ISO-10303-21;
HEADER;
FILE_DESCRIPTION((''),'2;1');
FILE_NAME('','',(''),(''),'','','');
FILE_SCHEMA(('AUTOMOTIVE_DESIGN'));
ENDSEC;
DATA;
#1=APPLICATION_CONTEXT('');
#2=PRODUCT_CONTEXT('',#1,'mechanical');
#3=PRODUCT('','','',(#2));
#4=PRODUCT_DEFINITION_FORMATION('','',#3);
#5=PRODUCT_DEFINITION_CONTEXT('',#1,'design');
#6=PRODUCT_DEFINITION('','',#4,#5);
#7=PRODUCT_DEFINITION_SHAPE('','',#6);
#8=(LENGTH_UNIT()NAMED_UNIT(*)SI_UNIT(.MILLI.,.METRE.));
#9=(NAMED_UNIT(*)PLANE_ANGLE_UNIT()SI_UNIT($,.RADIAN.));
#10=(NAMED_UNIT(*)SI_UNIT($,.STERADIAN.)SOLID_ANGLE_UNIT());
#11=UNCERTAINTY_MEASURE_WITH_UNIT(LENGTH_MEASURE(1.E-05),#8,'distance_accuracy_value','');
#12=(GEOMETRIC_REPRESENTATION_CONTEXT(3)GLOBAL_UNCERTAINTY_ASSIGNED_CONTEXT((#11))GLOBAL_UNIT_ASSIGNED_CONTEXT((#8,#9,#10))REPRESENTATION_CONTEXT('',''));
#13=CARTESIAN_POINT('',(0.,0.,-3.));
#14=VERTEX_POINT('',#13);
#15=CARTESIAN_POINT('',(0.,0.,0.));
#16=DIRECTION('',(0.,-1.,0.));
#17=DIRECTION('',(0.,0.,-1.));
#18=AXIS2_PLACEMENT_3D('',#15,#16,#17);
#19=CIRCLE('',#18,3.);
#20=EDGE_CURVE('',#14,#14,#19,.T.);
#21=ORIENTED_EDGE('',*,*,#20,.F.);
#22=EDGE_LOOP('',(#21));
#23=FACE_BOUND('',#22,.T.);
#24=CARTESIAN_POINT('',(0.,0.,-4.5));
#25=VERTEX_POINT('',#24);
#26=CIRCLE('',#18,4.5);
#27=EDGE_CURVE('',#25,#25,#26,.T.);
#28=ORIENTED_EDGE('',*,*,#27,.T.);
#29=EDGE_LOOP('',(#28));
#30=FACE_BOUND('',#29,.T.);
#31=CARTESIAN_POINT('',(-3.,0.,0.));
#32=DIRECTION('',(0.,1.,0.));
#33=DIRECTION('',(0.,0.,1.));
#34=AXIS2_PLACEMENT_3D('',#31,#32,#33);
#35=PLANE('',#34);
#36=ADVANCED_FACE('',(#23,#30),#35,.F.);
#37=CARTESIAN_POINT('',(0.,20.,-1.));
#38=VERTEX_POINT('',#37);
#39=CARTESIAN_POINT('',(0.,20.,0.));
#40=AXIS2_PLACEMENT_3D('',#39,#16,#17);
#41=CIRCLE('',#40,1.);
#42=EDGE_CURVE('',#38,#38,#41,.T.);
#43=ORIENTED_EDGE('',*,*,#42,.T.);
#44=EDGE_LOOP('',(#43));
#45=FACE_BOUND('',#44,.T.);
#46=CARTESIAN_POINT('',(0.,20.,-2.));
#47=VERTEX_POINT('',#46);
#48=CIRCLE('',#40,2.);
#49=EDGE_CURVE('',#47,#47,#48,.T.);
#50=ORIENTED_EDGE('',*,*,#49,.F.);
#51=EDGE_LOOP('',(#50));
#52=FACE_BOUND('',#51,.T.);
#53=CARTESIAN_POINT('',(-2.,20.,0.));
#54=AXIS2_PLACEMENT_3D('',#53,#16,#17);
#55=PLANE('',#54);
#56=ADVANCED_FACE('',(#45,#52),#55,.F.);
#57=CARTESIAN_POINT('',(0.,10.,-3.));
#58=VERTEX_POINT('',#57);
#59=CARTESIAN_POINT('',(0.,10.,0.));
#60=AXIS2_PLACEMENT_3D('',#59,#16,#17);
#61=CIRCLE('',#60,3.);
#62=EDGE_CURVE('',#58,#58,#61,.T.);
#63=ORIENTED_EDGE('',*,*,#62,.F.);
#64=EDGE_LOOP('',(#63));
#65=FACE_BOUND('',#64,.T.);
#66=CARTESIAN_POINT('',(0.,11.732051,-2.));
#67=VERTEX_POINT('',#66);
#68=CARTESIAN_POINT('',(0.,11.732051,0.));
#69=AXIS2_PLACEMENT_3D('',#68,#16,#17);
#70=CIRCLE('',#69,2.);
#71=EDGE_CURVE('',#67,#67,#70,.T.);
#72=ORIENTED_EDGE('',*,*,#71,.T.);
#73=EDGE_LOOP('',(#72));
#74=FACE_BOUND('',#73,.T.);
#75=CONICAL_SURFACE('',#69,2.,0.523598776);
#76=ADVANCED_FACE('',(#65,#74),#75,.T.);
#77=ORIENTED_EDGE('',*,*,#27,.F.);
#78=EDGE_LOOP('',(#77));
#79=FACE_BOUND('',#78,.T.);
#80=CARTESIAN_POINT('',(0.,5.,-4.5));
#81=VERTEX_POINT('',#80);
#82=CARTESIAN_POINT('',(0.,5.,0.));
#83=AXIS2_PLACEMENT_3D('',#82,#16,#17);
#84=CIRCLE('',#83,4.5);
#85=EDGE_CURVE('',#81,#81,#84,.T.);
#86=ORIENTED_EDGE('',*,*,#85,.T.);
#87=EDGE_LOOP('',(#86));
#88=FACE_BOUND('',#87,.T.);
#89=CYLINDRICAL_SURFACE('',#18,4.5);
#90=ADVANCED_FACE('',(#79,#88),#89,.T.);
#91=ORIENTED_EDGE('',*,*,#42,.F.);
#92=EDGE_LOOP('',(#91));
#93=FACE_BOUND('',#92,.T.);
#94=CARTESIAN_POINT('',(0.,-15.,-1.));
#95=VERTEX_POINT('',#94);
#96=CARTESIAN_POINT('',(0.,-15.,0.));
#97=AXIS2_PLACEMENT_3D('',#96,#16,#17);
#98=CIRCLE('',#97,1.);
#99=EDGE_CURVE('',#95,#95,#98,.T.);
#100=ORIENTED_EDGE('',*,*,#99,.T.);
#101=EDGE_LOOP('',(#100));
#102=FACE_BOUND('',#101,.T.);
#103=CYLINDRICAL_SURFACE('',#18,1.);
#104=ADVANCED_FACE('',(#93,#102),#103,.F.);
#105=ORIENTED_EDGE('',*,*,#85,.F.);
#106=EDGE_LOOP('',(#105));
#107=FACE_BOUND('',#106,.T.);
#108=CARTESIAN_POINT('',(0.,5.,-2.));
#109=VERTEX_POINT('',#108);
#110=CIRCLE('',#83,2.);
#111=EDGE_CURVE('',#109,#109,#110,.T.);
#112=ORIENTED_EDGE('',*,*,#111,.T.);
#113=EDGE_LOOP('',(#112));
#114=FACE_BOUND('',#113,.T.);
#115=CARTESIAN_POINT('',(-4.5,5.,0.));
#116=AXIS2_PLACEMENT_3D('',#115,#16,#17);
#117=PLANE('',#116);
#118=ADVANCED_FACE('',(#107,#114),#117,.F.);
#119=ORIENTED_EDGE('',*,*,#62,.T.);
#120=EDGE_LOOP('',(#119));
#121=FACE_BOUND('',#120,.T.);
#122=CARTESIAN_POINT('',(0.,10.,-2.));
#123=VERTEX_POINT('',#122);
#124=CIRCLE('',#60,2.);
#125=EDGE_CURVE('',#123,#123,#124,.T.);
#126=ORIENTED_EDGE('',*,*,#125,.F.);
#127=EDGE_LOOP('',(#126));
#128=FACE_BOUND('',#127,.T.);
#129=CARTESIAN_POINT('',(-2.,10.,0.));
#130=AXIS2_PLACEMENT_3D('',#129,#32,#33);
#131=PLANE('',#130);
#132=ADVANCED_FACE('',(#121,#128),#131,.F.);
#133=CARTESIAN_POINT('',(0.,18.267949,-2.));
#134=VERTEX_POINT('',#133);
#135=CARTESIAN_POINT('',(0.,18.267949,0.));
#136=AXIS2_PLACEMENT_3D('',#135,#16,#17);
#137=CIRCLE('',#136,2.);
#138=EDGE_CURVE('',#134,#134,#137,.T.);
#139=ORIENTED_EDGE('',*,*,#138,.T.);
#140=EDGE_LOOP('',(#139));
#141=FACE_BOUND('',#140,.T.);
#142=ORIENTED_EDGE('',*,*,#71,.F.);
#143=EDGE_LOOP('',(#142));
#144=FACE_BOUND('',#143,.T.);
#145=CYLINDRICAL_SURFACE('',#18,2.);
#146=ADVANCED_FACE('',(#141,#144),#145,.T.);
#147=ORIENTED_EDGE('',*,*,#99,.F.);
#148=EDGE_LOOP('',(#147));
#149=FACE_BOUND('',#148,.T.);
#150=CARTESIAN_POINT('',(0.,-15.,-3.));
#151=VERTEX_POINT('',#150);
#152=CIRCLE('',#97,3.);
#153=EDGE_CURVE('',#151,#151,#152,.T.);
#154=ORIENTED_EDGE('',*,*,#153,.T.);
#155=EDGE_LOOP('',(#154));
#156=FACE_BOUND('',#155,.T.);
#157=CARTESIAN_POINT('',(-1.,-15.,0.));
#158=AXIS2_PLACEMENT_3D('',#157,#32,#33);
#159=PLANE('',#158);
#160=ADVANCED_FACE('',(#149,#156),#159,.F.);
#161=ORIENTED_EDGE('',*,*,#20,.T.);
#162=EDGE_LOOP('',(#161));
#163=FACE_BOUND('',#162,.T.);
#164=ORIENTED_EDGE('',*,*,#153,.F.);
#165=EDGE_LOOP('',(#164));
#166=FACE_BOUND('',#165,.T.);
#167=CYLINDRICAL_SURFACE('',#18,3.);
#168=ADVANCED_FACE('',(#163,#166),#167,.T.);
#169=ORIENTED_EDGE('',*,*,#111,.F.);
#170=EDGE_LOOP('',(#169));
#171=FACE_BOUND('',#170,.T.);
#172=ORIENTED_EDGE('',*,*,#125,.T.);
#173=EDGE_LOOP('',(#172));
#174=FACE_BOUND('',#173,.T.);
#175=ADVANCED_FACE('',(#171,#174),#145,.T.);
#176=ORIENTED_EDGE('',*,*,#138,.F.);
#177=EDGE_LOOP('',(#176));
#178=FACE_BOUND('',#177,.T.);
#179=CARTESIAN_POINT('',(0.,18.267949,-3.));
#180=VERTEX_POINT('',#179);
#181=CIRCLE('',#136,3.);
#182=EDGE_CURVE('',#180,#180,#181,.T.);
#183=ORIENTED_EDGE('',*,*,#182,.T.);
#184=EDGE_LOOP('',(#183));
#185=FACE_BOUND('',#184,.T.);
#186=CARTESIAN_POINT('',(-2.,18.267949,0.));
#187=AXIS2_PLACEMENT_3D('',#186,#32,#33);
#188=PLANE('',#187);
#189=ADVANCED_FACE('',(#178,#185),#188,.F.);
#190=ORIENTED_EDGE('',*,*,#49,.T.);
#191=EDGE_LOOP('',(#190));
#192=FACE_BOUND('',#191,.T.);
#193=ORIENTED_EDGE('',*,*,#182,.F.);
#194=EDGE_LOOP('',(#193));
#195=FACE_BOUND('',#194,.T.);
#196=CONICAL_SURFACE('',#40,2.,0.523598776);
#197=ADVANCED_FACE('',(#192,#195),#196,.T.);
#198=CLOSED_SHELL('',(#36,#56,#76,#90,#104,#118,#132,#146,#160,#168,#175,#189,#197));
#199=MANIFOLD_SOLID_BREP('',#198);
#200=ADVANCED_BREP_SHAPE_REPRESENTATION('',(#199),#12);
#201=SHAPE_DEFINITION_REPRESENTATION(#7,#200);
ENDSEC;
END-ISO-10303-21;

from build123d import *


with BuildPart() as part:
    # Эскиз1 → Повернуть1 (revolve)
    with BuildSketch(Plane.XY):
        Polygon((-1, -15), (-3, -15), (-3, 0), (-4.5, 0), (-4.5, 5), (-2, 5), (-2, 10), (-3, 10), (-2, 11.732050808), (-2, 18.267949192), (-3, 18.267949192), (-2, 20), (-1, 20), align=None)
    revolve(axis=Axis((0, 0, 0), (0, 1, 0)))


solid = part.part
